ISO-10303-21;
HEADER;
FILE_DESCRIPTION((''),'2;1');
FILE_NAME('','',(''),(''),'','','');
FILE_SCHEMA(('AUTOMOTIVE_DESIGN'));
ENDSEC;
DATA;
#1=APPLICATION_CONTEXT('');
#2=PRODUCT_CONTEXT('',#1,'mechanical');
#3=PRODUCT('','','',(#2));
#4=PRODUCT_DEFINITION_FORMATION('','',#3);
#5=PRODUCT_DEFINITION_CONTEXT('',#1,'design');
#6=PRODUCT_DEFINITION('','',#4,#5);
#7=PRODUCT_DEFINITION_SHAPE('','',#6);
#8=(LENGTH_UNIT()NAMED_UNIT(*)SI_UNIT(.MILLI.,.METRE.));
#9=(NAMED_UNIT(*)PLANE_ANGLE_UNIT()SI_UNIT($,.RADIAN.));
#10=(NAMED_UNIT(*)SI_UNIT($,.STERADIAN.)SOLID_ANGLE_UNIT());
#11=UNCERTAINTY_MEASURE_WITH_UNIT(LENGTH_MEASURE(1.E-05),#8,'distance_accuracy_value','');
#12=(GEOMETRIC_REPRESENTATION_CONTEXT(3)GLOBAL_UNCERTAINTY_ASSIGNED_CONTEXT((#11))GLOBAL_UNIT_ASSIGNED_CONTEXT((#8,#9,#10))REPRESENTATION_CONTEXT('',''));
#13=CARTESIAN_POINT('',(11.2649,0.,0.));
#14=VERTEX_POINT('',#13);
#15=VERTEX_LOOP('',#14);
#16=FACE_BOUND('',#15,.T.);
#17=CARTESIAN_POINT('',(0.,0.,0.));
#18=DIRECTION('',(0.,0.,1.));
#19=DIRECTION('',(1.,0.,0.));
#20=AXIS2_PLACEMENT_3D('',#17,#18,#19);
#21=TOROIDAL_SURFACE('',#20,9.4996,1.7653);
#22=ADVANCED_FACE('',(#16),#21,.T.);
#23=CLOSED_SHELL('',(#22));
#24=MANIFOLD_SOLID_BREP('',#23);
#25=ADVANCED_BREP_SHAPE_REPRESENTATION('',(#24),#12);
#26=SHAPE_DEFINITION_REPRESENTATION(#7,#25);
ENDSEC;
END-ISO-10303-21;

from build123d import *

# Parameters (mm, degrees)
SKETCH1_R = 1.7653


with BuildPart() as part:
    # Sketch1 → Revolve1 (revolve)
    with BuildSketch(Plane(origin=(0, 0, 0), x_dir=(0, -1, 0), z_dir=(1, 0, 0)), mode=Mode.PRIVATE) as revolve1_sk:
        with Locations((9.4996, 0)):
            Circle(SKETCH1_R)
    revolve(revolve1_sk.sketch.rotate(Axis((0, 0, 1.7653), (0, 0, -1)), 270), axis=Axis((0, 0, 1.7653), (0, 0, -1)))


solid = part.part
